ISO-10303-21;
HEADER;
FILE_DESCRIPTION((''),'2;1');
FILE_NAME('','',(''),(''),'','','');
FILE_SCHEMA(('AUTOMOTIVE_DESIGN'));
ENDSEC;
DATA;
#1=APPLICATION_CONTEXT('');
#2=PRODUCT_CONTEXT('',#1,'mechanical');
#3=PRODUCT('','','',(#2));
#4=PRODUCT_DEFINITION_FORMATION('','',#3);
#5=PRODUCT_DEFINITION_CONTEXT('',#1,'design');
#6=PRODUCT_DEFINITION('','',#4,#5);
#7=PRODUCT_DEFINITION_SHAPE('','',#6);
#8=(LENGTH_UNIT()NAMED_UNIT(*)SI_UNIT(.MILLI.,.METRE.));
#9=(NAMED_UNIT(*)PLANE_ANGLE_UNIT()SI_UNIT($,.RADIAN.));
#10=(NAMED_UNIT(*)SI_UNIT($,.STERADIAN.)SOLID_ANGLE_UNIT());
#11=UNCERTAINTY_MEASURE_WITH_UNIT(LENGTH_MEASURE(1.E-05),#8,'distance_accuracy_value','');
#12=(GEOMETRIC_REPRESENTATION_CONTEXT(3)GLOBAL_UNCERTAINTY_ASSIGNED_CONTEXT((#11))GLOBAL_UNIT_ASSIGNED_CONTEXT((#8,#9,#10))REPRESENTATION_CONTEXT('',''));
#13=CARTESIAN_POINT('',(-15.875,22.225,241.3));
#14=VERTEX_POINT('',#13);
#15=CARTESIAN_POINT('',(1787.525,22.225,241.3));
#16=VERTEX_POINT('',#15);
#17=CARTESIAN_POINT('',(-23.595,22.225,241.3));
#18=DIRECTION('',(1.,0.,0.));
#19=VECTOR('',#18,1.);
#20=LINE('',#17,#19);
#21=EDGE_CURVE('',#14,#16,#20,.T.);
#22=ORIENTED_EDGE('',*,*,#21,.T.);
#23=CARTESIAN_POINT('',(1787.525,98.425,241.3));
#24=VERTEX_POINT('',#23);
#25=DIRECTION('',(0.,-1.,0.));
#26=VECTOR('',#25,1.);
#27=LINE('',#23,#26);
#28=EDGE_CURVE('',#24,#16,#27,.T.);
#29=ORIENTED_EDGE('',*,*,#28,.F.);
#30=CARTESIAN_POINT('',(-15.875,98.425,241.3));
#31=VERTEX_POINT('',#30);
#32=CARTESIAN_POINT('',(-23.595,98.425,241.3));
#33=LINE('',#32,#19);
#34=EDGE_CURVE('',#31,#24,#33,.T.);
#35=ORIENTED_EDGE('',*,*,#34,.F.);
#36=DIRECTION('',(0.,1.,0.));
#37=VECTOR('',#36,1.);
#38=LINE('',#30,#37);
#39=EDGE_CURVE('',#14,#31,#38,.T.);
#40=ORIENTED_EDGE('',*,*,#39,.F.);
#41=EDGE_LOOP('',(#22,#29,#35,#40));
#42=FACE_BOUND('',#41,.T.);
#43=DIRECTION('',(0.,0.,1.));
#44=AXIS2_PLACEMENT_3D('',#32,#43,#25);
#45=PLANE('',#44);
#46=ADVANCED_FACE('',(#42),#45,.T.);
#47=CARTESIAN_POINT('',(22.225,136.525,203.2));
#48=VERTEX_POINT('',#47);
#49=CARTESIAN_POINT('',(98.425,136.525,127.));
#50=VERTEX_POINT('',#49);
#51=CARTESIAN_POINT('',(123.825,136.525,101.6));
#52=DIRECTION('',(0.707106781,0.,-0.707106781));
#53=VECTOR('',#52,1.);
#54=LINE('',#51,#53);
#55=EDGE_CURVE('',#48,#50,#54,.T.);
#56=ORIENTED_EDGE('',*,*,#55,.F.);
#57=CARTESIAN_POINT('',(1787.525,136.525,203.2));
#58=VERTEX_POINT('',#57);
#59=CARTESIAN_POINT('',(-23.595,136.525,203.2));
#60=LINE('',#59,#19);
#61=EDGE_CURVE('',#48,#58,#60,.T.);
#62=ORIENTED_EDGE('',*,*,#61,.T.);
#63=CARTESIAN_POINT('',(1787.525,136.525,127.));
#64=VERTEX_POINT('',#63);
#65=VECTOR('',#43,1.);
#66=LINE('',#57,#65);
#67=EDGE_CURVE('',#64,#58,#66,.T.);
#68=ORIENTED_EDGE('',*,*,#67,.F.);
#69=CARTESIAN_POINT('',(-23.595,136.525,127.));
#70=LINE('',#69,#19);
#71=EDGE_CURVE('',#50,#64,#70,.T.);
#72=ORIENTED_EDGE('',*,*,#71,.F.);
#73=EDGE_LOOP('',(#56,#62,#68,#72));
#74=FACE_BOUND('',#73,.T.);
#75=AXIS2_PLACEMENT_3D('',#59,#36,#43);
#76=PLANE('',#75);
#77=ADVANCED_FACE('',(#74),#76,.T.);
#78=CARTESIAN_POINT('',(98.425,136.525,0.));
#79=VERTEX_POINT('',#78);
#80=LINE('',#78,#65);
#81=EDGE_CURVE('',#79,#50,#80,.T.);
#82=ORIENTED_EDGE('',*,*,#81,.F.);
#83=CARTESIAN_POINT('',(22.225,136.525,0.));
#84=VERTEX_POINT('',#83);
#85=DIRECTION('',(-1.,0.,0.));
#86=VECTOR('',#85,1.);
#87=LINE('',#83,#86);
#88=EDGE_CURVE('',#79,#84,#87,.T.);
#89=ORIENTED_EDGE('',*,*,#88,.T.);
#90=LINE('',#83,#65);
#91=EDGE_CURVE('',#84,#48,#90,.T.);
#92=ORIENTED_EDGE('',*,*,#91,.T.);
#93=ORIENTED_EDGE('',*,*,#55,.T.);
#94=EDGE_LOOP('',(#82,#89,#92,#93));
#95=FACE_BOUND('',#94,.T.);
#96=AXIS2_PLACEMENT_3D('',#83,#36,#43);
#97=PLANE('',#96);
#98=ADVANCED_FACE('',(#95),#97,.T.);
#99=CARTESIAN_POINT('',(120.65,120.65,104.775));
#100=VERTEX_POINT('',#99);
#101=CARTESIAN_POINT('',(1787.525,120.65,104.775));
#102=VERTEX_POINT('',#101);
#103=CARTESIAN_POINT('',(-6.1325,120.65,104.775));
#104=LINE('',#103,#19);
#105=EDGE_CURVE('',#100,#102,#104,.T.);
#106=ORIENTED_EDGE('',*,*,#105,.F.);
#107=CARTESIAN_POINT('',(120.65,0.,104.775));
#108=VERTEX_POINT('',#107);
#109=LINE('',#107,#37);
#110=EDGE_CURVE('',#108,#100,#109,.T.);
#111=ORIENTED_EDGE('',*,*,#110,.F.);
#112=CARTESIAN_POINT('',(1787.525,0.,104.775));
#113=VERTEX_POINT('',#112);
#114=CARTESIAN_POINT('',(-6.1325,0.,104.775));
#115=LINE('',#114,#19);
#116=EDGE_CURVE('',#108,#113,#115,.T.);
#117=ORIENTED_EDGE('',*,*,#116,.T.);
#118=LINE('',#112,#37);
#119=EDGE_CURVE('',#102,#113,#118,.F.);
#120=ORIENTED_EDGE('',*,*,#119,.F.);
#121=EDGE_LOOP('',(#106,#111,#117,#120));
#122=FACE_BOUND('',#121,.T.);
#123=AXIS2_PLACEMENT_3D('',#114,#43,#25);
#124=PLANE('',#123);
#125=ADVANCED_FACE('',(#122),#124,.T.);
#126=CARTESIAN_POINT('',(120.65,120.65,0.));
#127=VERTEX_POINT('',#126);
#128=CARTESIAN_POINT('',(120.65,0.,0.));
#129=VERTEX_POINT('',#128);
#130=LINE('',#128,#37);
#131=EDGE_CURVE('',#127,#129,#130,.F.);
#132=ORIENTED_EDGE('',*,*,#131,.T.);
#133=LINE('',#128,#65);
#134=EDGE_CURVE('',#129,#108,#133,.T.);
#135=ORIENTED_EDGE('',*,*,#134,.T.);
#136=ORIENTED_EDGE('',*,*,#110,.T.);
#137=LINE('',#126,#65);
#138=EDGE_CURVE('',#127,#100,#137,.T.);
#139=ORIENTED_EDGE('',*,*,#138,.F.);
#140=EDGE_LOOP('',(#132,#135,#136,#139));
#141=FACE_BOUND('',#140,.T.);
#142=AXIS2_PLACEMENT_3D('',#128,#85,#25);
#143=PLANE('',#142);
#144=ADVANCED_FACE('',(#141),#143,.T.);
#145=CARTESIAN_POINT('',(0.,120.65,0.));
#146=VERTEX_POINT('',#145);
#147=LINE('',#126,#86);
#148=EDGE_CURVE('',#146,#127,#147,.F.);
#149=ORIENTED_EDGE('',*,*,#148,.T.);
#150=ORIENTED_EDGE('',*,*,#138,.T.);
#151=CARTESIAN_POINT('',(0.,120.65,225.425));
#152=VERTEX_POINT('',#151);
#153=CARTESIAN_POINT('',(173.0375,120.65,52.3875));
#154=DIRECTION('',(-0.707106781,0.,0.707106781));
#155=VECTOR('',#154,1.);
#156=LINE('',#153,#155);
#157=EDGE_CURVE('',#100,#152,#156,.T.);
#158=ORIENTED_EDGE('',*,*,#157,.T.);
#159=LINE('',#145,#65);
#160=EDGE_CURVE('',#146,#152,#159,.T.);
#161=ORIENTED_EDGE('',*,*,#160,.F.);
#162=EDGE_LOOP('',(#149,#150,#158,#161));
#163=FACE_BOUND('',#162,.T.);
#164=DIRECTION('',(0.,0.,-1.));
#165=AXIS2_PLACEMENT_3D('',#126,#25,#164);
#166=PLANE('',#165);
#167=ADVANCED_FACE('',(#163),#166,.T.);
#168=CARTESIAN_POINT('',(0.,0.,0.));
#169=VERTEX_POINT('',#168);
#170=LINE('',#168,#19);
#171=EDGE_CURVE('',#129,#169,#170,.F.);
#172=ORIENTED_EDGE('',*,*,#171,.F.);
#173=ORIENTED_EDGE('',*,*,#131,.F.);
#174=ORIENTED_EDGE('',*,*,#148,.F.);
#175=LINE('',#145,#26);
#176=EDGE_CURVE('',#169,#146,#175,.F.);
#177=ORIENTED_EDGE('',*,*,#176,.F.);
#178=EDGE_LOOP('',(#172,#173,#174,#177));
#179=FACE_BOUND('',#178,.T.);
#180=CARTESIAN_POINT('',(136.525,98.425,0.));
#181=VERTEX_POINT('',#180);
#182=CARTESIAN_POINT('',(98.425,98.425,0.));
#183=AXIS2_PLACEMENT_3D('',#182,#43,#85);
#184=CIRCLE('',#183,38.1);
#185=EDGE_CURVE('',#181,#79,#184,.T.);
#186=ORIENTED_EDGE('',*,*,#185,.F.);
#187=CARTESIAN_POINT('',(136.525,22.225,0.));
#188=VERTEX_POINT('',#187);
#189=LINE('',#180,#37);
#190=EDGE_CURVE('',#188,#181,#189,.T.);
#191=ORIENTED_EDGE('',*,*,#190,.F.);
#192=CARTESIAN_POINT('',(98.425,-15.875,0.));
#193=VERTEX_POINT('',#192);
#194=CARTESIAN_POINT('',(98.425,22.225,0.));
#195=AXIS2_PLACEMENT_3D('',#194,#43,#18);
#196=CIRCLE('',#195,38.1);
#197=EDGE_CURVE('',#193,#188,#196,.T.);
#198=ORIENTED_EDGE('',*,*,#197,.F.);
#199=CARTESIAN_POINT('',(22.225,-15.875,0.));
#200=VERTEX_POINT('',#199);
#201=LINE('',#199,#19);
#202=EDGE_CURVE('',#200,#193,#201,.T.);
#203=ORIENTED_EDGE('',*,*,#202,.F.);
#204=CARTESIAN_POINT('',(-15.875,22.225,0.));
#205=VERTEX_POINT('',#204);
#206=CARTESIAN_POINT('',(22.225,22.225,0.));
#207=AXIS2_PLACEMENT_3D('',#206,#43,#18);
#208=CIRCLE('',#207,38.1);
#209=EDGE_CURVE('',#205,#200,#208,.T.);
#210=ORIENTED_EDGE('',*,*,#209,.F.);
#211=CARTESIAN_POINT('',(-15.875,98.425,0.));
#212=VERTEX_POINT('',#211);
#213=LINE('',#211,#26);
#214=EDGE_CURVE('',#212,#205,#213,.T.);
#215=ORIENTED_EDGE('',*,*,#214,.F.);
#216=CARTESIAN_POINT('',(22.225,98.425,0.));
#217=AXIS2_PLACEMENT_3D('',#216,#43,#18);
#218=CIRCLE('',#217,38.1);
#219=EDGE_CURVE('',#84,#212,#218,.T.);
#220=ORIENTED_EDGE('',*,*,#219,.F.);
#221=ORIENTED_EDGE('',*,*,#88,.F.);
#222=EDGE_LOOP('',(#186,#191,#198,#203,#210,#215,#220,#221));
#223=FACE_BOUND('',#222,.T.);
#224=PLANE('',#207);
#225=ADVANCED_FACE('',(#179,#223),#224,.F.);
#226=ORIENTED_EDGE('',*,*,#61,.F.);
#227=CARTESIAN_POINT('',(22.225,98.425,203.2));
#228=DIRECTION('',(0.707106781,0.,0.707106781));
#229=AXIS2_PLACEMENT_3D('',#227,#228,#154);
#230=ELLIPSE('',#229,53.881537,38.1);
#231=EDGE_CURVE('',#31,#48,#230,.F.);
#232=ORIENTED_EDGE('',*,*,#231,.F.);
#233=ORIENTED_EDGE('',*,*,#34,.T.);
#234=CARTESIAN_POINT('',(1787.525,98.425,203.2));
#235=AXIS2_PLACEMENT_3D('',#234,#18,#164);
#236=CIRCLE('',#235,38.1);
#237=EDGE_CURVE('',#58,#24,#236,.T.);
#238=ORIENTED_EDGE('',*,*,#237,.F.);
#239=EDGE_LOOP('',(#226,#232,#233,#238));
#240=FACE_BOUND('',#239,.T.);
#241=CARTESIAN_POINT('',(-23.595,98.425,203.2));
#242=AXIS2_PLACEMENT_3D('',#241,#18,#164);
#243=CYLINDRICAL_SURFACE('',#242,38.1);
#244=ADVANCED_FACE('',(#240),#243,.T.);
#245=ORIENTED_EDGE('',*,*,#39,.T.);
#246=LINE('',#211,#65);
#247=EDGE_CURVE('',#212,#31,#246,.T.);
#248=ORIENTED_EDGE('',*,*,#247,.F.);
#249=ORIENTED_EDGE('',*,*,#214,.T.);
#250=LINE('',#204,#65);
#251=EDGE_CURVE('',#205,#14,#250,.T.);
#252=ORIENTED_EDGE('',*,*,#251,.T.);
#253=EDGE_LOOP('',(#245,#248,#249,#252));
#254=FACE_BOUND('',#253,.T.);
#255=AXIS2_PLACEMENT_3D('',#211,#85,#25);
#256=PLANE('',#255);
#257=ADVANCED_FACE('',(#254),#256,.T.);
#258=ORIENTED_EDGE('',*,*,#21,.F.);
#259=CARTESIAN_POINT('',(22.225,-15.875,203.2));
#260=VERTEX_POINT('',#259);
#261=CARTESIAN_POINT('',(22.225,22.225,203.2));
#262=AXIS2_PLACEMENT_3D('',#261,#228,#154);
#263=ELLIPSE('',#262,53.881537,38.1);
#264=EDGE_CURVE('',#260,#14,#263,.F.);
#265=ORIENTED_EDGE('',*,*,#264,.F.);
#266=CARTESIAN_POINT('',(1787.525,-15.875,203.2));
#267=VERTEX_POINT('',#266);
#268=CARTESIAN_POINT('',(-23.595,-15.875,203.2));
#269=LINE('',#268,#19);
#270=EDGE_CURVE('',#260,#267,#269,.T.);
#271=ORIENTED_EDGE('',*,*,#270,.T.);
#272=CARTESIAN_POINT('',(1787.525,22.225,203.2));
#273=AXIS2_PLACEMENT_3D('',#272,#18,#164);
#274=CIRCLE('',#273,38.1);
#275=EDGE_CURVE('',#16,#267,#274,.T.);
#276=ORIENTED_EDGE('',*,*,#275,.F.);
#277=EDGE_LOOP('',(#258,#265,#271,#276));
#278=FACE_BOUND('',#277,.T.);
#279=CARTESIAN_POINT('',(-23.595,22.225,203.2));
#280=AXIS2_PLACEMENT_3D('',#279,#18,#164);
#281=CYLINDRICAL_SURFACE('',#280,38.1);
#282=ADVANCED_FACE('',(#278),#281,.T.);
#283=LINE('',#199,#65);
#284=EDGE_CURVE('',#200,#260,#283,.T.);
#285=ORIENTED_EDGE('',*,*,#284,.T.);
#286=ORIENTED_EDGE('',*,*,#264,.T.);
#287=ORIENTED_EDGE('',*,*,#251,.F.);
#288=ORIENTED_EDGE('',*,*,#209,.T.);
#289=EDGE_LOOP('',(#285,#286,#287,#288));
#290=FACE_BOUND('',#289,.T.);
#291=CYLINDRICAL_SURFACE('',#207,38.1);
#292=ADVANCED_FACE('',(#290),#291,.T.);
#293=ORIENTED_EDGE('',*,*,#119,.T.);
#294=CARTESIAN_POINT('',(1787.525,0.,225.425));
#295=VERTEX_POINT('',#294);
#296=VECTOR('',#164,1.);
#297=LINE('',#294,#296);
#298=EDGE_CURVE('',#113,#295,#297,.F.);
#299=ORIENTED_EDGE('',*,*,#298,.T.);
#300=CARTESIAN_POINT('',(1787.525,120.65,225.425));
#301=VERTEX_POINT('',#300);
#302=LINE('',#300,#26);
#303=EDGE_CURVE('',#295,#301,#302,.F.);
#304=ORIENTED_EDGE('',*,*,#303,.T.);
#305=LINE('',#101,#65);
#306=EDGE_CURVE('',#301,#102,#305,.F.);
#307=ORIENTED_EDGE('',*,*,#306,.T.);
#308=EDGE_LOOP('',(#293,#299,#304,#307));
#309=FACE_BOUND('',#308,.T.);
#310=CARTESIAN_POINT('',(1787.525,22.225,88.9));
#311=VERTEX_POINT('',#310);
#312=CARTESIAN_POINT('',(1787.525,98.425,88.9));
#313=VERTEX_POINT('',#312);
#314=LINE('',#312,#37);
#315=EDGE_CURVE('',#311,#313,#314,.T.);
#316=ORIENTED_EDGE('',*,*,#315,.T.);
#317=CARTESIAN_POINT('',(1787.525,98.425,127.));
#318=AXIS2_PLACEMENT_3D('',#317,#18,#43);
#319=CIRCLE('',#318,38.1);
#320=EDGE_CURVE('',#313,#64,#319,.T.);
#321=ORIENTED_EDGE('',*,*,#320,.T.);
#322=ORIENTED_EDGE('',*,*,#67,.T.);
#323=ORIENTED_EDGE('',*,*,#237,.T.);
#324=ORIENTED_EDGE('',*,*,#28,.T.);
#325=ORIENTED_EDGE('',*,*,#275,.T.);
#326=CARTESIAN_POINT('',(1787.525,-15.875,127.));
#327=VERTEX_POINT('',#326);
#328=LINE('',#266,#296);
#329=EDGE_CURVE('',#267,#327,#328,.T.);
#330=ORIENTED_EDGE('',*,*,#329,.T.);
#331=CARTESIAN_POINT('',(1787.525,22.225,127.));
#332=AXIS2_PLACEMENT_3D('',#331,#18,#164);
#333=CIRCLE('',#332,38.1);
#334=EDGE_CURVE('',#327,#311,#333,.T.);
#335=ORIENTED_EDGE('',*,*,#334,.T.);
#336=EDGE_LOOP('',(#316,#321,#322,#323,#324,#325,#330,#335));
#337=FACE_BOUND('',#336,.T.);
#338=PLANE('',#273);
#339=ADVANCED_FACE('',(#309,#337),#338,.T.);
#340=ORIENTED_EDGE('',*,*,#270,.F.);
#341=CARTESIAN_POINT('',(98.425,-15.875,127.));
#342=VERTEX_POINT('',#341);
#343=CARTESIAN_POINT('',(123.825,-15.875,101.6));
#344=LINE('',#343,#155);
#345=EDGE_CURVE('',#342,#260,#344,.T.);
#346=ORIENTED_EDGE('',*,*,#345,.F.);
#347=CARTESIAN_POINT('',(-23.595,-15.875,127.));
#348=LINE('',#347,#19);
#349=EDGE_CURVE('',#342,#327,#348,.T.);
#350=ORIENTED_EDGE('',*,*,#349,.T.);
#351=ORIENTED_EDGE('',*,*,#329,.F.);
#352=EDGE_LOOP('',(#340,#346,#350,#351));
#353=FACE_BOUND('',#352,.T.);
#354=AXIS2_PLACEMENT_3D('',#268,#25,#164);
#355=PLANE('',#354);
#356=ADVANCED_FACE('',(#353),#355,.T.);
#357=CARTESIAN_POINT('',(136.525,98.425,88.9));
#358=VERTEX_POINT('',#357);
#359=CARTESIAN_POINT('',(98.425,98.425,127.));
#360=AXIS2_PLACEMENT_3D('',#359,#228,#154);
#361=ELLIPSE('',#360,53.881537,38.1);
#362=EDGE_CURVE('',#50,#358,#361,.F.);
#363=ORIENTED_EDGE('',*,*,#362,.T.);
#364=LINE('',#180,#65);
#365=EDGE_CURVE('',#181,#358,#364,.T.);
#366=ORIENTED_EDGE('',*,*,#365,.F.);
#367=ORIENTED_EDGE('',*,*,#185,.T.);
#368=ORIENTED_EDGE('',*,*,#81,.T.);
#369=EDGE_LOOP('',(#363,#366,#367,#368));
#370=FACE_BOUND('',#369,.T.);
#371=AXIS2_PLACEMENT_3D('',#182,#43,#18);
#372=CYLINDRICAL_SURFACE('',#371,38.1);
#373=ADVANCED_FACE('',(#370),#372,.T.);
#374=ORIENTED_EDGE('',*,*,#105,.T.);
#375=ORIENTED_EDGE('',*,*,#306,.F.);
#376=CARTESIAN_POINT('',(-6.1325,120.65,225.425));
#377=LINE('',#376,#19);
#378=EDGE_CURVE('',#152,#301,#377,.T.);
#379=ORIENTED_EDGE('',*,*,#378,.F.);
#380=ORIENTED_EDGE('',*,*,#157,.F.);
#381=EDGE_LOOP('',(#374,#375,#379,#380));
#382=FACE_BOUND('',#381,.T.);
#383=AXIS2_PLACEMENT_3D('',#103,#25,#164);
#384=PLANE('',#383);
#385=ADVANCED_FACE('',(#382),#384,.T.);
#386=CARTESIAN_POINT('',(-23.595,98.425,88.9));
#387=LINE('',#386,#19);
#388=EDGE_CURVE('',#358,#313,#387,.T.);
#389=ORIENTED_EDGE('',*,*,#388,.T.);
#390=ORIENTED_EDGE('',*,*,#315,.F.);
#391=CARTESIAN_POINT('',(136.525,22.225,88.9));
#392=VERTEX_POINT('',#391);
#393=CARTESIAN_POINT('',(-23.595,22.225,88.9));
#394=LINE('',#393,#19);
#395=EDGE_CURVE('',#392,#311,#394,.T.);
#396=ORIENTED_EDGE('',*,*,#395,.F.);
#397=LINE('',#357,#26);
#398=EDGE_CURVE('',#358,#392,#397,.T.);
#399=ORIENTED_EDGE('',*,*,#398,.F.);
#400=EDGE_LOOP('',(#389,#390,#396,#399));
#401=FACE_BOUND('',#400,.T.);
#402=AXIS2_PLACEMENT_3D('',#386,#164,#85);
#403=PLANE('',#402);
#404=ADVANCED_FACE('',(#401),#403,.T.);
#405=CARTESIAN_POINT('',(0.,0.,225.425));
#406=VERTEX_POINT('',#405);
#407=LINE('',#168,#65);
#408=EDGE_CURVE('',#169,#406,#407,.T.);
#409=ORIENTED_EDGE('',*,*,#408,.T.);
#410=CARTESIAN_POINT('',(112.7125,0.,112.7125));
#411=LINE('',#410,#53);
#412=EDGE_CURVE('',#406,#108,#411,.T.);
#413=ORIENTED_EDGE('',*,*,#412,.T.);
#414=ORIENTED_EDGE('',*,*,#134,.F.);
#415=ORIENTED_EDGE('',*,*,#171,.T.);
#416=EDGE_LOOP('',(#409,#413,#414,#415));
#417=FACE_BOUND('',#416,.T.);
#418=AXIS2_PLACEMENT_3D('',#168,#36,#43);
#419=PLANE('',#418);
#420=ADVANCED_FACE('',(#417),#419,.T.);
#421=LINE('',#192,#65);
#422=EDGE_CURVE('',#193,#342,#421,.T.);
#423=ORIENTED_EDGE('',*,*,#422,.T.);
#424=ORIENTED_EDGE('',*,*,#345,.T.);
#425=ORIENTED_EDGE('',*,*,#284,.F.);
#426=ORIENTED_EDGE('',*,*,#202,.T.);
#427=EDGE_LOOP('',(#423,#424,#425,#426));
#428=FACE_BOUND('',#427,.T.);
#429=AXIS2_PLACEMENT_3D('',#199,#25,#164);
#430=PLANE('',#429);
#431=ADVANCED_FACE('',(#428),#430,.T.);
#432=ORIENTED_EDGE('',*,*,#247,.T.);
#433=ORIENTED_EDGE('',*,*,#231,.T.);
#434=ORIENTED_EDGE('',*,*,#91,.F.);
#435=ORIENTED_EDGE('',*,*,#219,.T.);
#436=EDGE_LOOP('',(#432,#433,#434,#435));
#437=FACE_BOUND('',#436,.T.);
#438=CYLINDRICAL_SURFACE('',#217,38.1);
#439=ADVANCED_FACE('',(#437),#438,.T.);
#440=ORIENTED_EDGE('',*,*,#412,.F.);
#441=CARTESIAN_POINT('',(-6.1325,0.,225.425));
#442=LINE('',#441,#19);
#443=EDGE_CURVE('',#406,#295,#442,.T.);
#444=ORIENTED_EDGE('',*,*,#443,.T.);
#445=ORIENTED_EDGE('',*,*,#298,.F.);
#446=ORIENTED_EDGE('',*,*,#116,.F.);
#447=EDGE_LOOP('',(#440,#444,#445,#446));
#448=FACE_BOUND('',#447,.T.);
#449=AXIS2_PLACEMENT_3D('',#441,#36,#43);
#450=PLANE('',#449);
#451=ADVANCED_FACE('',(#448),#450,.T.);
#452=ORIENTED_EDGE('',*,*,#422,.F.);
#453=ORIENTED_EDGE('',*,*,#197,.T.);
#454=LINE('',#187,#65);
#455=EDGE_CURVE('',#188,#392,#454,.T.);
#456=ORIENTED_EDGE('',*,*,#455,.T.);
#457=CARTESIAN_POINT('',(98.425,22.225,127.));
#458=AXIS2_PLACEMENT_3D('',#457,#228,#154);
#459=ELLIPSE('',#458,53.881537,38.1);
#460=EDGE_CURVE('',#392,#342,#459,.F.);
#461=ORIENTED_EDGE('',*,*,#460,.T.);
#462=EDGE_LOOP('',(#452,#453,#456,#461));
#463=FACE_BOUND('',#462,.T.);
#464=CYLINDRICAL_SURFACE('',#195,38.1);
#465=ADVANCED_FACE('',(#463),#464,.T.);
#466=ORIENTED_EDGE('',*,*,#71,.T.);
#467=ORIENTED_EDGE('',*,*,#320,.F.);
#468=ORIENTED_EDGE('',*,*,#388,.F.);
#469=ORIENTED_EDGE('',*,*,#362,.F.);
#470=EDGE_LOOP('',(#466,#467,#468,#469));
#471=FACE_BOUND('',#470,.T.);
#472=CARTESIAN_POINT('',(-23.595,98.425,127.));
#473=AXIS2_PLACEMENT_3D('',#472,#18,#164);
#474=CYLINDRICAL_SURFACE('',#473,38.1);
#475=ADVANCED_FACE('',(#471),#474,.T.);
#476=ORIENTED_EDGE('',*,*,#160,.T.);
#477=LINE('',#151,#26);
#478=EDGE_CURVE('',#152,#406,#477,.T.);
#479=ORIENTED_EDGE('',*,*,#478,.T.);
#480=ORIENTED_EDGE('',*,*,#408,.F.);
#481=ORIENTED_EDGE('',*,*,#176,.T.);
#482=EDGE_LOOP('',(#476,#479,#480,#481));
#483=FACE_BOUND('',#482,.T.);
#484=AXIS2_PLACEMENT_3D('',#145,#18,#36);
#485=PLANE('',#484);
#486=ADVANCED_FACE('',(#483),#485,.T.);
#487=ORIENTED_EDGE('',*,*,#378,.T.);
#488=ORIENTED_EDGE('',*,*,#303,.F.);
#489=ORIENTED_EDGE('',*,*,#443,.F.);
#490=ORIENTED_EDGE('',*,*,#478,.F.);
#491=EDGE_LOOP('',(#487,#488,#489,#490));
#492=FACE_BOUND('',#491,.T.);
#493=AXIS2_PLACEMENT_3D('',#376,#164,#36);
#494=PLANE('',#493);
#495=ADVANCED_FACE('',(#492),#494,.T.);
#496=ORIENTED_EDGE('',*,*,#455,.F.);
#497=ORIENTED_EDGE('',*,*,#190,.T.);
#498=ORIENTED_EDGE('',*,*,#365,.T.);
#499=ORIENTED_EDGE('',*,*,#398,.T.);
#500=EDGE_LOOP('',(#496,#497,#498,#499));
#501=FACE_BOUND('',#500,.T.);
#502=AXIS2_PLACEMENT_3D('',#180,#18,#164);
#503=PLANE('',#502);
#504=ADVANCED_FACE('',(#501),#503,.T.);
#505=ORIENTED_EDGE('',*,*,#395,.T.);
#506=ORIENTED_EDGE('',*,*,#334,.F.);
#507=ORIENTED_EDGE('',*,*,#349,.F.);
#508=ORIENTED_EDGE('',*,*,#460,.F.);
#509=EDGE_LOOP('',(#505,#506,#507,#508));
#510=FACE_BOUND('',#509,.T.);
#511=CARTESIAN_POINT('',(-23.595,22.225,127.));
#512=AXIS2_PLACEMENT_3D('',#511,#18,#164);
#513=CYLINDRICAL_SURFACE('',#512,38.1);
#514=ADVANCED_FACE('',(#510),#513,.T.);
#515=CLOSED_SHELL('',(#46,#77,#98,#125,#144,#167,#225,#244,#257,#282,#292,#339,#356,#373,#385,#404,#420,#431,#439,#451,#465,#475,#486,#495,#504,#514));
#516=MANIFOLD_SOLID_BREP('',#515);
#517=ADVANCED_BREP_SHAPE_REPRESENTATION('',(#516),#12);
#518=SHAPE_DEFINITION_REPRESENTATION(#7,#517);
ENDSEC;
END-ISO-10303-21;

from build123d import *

# Parameters (mm, degrees)
SKETCH12_W = 120.65
SKETCH12_H = 120.65


with BuildPart() as part:
    # Sweep1: sweep along a curve in space
    with BuildLine() as sweep1_path:
        Line((60.325, 60.325, 0), (60.325, 60.325, 165.1))
        Line((60.325, 60.325, 165.1), (1787.525, 60.325, 165.1))
    # Sketch12 → Sweep1 (sweep)
    with BuildSketch(Plane.XY):
        with BuildLine():
            Line((22.225, 136.525), (98.425, 136.525))
            ThreePointArc((98.425, 136.525), (125.365768363, 125.365768363), (136.525, 98.425))
            Line((136.525, 98.425), (136.525, 22.225))
            ThreePointArc((136.525, 22.225), (125.365768363, -4.715768363), (98.425, -15.875))
            Line((98.425, -15.875), (22.225, -15.875))
            ThreePointArc((22.225, -15.875), (-4.715768363, -4.715768363), (-15.875, 22.225))
            Line((-15.875, 22.225), (-15.875, 98.425))
            ThreePointArc((-15.875, 98.425), (-4.715768363, 125.365768363), (22.225, 136.525))
        make_face()
        with Locations((60.325, 60.325)):
            Rectangle(SKETCH12_W, SKETCH12_H, mode=Mode.SUBTRACT)
    sweep(path=sweep1_path.line, transition=Transition.RIGHT)


solid = part.part
